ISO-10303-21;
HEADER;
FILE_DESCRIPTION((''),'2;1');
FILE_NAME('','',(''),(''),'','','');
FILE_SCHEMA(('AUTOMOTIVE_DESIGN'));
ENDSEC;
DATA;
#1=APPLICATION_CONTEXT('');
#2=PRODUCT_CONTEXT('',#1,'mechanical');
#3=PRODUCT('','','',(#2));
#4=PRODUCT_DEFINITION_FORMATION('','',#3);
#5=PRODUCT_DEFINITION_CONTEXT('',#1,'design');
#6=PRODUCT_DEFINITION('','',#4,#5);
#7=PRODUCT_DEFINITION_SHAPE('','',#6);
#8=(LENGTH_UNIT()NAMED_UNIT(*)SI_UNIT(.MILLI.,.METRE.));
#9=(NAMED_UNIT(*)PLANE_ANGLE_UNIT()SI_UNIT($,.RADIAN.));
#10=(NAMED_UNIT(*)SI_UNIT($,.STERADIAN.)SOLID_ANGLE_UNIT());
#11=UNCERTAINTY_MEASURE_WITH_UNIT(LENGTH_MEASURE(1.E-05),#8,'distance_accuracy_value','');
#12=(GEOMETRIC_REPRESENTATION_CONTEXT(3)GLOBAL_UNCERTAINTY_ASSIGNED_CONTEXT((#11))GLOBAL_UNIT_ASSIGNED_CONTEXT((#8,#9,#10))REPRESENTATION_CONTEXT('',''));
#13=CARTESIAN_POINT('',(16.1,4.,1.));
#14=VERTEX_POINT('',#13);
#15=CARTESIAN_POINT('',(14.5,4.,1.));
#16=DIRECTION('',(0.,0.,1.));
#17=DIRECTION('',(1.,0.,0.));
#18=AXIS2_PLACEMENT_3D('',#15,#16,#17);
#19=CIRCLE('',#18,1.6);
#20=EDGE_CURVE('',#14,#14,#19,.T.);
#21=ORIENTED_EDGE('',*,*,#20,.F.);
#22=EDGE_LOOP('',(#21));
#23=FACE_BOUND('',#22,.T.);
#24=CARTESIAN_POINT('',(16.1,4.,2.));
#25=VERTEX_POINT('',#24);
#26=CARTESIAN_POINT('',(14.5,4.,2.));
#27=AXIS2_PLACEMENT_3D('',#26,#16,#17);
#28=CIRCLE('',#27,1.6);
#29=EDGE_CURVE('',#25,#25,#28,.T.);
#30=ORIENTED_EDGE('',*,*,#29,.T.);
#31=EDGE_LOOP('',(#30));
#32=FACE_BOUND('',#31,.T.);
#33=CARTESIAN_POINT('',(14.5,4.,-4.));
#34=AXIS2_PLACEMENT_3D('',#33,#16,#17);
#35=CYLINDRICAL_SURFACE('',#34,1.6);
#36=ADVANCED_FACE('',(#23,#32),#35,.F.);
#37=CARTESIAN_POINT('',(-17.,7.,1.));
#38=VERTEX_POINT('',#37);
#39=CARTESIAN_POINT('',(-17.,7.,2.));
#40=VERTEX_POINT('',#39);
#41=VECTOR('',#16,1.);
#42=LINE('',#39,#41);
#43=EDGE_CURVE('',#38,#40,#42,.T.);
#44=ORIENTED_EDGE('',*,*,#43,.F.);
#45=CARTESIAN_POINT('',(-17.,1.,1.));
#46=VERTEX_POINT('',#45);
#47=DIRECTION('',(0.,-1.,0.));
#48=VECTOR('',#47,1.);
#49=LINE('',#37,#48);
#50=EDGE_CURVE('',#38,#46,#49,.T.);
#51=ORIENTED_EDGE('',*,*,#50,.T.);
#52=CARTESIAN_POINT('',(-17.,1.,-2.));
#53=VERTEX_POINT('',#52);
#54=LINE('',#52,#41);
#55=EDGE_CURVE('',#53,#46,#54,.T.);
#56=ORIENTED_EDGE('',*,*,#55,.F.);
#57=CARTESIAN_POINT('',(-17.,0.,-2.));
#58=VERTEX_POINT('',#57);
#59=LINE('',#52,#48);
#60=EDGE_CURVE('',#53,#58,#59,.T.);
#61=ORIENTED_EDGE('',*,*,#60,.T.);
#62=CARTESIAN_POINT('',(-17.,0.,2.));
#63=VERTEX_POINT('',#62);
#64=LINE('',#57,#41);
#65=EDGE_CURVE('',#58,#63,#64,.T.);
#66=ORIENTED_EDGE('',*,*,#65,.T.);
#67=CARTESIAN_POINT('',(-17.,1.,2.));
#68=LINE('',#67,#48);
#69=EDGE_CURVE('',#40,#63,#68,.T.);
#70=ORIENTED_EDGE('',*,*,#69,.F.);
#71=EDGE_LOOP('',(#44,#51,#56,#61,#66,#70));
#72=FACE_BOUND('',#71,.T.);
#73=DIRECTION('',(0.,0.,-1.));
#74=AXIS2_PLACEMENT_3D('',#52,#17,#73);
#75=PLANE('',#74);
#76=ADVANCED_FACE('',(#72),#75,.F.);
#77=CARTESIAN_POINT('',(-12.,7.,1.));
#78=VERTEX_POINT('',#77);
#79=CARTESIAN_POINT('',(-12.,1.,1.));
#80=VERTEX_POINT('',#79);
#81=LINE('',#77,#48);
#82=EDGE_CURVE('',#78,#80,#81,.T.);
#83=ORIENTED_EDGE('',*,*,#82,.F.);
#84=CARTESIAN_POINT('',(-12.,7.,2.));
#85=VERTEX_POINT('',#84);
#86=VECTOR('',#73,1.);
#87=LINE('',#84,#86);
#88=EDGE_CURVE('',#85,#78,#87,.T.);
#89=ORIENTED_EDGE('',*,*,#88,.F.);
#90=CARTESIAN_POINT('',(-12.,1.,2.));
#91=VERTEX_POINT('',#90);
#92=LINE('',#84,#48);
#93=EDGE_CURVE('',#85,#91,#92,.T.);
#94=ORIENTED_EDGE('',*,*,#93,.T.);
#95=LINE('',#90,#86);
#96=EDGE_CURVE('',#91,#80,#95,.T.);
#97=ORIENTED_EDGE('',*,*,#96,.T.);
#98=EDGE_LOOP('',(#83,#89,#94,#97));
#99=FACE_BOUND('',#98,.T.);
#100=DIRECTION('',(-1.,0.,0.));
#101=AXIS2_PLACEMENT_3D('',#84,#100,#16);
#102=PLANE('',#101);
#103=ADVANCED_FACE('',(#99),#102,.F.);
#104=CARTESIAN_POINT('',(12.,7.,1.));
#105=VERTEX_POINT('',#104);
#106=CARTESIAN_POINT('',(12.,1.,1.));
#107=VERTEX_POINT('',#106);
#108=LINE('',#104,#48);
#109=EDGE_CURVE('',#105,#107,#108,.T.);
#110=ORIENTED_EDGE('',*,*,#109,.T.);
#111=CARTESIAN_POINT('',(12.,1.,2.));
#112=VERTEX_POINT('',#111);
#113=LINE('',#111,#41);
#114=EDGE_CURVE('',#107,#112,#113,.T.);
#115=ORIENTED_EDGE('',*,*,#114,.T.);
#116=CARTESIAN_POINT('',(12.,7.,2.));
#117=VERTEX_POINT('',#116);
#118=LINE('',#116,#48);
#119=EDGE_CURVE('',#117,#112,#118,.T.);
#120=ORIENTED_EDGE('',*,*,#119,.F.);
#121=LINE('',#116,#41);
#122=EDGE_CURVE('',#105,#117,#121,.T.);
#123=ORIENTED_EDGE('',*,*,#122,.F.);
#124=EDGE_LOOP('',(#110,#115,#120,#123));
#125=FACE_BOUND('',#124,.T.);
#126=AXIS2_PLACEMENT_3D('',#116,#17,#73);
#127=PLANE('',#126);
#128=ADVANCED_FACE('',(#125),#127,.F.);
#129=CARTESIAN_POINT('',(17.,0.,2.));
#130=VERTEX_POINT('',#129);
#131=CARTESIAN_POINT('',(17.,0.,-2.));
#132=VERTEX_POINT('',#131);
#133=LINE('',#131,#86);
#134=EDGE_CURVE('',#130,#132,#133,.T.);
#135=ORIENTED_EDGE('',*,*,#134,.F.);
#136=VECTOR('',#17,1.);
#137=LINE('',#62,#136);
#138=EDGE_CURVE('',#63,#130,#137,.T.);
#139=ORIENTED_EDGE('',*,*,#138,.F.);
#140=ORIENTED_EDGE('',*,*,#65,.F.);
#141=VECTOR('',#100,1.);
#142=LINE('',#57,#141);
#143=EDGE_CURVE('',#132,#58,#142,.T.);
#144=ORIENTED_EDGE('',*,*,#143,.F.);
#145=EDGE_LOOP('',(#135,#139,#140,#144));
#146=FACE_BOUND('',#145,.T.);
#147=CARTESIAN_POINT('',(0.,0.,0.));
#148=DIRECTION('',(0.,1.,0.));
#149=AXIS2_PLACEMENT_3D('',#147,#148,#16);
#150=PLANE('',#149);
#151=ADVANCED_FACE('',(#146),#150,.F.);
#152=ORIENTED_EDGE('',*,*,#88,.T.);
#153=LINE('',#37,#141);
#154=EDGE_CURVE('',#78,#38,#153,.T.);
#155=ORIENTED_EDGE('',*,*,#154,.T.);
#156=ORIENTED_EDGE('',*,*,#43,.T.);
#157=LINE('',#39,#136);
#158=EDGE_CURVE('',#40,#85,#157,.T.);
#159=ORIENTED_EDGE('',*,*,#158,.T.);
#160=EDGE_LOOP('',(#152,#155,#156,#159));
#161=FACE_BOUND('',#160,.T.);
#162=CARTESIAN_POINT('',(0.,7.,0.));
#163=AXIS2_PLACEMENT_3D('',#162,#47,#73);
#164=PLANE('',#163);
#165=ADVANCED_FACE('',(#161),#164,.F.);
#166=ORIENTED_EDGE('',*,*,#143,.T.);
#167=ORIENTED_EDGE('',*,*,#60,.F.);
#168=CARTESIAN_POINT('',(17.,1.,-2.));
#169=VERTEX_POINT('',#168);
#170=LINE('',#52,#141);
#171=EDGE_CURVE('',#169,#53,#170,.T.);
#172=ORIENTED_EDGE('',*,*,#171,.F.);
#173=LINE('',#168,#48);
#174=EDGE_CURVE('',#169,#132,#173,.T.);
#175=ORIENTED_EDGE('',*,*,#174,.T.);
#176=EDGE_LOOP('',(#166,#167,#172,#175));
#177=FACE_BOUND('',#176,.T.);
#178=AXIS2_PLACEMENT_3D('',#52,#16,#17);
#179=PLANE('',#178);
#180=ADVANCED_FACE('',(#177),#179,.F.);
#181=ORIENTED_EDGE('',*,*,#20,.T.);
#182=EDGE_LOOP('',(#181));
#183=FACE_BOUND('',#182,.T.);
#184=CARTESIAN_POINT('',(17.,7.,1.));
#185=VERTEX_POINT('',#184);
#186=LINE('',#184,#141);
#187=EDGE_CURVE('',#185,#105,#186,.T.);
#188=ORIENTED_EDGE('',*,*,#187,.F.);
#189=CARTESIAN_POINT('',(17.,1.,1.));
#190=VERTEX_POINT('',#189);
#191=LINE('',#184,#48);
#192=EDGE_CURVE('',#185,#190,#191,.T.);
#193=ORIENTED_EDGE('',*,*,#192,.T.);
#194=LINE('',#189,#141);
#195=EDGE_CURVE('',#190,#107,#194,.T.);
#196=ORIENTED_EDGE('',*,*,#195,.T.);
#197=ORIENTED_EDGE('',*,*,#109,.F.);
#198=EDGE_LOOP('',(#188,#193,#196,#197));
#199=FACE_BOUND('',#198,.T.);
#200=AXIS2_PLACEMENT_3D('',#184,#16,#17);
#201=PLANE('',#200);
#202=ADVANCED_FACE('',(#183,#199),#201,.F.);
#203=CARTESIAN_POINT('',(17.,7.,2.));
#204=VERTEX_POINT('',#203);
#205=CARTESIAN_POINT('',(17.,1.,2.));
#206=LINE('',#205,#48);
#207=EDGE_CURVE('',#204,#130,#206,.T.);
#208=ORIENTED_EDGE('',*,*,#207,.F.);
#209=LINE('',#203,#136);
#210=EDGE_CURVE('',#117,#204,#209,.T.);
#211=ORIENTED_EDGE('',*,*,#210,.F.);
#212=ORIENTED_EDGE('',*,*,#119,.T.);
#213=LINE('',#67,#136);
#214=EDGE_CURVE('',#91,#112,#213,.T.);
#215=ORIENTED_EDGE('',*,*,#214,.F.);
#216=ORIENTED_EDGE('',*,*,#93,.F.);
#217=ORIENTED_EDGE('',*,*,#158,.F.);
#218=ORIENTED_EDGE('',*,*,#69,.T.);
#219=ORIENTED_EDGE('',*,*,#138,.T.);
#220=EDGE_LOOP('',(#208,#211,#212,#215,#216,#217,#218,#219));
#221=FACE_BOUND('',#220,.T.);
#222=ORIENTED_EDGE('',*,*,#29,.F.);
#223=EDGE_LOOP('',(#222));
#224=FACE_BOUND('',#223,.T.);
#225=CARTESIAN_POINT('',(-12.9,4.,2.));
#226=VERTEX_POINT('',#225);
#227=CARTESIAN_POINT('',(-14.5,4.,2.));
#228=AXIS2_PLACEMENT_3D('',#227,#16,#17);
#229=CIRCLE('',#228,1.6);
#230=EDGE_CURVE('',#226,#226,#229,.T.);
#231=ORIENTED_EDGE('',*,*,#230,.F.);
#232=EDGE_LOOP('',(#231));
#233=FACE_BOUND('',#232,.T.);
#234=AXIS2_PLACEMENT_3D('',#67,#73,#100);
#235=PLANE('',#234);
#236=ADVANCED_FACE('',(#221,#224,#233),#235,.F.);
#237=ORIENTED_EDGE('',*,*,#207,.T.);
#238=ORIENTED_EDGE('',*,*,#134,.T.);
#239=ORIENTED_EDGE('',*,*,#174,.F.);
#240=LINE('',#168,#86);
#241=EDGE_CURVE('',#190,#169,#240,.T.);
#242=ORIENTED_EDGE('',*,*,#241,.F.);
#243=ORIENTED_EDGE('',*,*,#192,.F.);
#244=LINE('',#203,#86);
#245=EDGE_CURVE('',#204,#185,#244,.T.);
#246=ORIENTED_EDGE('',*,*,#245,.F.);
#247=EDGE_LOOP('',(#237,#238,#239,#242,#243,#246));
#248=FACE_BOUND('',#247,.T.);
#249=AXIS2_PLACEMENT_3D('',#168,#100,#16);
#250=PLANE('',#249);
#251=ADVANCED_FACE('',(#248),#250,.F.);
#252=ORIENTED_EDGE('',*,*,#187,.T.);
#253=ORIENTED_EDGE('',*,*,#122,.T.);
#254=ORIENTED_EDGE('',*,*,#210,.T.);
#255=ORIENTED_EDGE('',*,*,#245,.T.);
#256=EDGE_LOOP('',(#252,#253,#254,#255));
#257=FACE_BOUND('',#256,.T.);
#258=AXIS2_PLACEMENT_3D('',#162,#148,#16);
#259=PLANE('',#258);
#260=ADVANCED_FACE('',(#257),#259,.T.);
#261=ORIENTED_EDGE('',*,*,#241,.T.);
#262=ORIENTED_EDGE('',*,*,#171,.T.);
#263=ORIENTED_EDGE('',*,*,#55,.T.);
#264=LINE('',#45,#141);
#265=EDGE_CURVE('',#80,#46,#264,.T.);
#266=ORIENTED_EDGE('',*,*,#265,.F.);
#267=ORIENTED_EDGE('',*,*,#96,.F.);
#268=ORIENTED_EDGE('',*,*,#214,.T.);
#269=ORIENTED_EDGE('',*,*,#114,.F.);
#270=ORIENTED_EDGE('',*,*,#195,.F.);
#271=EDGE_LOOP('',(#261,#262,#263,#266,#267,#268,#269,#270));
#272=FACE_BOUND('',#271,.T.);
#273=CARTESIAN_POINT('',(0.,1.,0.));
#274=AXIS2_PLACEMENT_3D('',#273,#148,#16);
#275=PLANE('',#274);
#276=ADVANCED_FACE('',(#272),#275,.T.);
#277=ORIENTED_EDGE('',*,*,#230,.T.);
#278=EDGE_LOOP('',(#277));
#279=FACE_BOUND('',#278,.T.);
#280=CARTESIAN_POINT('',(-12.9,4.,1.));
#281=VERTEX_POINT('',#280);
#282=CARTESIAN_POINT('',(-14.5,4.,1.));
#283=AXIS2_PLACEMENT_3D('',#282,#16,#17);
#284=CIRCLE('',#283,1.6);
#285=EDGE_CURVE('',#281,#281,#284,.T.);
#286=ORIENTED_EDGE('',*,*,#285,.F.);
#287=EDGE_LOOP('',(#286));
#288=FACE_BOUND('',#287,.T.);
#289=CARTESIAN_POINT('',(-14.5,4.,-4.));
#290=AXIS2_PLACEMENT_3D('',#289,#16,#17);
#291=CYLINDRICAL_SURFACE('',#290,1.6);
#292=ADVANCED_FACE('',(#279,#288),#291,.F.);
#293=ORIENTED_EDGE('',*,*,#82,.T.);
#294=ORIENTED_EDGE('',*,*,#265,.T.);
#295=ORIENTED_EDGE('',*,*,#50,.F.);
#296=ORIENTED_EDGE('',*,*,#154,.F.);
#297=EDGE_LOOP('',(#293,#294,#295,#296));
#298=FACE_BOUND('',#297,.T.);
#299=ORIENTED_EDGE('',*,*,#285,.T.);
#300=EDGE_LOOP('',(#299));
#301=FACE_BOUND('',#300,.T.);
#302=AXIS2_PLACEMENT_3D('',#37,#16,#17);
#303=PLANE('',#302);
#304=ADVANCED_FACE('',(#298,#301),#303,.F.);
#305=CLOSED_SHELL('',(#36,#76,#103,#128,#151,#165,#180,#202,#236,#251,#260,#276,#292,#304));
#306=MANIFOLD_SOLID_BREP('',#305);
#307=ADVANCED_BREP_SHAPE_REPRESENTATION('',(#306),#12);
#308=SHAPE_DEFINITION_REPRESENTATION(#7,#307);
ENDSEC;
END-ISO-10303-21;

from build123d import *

# Parameters (mm, degrees)
SKETCH1_W           = 34
SKETCH1_H           = 4
BOSS_EXTRUDE1_DEPTH = 1
SKETCH2_W           = 5
SKETCH2_H           = 1
BOSS_EXTRUDE2_DEPTH = 6
SKETCH3_R           = 1.6
CUT_EXTRUDE1_DEPTH  = 6


with BuildPart() as part:
    # Sketch1 → Boss-Extrude1 (new body)
    with BuildSketch(Plane(origin=(0, 0, 0), x_dir=(1, 0, 0), z_dir=(0, 1, 0))):
        Rectangle(SKETCH1_W, SKETCH1_H)
    extrude(amount=BOSS_EXTRUDE1_DEPTH)

    # Sketch2 → Boss-Extrude2 (add)
    with BuildSketch(Plane(origin=(0, 1, 0), x_dir=(1, 0, 0), z_dir=(0, 1, 0))):
        with Locations((-14.5, -1.5)):
            Rectangle(SKETCH2_W, SKETCH2_H)
        with Locations((14.5, -1.5)):
            Rectangle(SKETCH2_W, SKETCH2_H)
    extrude(amount=BOSS_EXTRUDE2_DEPTH)

    # Sketch3 → Cut-Extrude1 (cut)
    with BuildSketch(Plane.XY.offset(2)):
        with Locations((-14.5, 4)):
            Circle(SKETCH3_R)
        with Locations((14.5, 4)):
            Circle(SKETCH3_R)
    extrude(amount=-CUT_EXTRUDE1_DEPTH, mode=Mode.SUBTRACT)


solid = part.part
